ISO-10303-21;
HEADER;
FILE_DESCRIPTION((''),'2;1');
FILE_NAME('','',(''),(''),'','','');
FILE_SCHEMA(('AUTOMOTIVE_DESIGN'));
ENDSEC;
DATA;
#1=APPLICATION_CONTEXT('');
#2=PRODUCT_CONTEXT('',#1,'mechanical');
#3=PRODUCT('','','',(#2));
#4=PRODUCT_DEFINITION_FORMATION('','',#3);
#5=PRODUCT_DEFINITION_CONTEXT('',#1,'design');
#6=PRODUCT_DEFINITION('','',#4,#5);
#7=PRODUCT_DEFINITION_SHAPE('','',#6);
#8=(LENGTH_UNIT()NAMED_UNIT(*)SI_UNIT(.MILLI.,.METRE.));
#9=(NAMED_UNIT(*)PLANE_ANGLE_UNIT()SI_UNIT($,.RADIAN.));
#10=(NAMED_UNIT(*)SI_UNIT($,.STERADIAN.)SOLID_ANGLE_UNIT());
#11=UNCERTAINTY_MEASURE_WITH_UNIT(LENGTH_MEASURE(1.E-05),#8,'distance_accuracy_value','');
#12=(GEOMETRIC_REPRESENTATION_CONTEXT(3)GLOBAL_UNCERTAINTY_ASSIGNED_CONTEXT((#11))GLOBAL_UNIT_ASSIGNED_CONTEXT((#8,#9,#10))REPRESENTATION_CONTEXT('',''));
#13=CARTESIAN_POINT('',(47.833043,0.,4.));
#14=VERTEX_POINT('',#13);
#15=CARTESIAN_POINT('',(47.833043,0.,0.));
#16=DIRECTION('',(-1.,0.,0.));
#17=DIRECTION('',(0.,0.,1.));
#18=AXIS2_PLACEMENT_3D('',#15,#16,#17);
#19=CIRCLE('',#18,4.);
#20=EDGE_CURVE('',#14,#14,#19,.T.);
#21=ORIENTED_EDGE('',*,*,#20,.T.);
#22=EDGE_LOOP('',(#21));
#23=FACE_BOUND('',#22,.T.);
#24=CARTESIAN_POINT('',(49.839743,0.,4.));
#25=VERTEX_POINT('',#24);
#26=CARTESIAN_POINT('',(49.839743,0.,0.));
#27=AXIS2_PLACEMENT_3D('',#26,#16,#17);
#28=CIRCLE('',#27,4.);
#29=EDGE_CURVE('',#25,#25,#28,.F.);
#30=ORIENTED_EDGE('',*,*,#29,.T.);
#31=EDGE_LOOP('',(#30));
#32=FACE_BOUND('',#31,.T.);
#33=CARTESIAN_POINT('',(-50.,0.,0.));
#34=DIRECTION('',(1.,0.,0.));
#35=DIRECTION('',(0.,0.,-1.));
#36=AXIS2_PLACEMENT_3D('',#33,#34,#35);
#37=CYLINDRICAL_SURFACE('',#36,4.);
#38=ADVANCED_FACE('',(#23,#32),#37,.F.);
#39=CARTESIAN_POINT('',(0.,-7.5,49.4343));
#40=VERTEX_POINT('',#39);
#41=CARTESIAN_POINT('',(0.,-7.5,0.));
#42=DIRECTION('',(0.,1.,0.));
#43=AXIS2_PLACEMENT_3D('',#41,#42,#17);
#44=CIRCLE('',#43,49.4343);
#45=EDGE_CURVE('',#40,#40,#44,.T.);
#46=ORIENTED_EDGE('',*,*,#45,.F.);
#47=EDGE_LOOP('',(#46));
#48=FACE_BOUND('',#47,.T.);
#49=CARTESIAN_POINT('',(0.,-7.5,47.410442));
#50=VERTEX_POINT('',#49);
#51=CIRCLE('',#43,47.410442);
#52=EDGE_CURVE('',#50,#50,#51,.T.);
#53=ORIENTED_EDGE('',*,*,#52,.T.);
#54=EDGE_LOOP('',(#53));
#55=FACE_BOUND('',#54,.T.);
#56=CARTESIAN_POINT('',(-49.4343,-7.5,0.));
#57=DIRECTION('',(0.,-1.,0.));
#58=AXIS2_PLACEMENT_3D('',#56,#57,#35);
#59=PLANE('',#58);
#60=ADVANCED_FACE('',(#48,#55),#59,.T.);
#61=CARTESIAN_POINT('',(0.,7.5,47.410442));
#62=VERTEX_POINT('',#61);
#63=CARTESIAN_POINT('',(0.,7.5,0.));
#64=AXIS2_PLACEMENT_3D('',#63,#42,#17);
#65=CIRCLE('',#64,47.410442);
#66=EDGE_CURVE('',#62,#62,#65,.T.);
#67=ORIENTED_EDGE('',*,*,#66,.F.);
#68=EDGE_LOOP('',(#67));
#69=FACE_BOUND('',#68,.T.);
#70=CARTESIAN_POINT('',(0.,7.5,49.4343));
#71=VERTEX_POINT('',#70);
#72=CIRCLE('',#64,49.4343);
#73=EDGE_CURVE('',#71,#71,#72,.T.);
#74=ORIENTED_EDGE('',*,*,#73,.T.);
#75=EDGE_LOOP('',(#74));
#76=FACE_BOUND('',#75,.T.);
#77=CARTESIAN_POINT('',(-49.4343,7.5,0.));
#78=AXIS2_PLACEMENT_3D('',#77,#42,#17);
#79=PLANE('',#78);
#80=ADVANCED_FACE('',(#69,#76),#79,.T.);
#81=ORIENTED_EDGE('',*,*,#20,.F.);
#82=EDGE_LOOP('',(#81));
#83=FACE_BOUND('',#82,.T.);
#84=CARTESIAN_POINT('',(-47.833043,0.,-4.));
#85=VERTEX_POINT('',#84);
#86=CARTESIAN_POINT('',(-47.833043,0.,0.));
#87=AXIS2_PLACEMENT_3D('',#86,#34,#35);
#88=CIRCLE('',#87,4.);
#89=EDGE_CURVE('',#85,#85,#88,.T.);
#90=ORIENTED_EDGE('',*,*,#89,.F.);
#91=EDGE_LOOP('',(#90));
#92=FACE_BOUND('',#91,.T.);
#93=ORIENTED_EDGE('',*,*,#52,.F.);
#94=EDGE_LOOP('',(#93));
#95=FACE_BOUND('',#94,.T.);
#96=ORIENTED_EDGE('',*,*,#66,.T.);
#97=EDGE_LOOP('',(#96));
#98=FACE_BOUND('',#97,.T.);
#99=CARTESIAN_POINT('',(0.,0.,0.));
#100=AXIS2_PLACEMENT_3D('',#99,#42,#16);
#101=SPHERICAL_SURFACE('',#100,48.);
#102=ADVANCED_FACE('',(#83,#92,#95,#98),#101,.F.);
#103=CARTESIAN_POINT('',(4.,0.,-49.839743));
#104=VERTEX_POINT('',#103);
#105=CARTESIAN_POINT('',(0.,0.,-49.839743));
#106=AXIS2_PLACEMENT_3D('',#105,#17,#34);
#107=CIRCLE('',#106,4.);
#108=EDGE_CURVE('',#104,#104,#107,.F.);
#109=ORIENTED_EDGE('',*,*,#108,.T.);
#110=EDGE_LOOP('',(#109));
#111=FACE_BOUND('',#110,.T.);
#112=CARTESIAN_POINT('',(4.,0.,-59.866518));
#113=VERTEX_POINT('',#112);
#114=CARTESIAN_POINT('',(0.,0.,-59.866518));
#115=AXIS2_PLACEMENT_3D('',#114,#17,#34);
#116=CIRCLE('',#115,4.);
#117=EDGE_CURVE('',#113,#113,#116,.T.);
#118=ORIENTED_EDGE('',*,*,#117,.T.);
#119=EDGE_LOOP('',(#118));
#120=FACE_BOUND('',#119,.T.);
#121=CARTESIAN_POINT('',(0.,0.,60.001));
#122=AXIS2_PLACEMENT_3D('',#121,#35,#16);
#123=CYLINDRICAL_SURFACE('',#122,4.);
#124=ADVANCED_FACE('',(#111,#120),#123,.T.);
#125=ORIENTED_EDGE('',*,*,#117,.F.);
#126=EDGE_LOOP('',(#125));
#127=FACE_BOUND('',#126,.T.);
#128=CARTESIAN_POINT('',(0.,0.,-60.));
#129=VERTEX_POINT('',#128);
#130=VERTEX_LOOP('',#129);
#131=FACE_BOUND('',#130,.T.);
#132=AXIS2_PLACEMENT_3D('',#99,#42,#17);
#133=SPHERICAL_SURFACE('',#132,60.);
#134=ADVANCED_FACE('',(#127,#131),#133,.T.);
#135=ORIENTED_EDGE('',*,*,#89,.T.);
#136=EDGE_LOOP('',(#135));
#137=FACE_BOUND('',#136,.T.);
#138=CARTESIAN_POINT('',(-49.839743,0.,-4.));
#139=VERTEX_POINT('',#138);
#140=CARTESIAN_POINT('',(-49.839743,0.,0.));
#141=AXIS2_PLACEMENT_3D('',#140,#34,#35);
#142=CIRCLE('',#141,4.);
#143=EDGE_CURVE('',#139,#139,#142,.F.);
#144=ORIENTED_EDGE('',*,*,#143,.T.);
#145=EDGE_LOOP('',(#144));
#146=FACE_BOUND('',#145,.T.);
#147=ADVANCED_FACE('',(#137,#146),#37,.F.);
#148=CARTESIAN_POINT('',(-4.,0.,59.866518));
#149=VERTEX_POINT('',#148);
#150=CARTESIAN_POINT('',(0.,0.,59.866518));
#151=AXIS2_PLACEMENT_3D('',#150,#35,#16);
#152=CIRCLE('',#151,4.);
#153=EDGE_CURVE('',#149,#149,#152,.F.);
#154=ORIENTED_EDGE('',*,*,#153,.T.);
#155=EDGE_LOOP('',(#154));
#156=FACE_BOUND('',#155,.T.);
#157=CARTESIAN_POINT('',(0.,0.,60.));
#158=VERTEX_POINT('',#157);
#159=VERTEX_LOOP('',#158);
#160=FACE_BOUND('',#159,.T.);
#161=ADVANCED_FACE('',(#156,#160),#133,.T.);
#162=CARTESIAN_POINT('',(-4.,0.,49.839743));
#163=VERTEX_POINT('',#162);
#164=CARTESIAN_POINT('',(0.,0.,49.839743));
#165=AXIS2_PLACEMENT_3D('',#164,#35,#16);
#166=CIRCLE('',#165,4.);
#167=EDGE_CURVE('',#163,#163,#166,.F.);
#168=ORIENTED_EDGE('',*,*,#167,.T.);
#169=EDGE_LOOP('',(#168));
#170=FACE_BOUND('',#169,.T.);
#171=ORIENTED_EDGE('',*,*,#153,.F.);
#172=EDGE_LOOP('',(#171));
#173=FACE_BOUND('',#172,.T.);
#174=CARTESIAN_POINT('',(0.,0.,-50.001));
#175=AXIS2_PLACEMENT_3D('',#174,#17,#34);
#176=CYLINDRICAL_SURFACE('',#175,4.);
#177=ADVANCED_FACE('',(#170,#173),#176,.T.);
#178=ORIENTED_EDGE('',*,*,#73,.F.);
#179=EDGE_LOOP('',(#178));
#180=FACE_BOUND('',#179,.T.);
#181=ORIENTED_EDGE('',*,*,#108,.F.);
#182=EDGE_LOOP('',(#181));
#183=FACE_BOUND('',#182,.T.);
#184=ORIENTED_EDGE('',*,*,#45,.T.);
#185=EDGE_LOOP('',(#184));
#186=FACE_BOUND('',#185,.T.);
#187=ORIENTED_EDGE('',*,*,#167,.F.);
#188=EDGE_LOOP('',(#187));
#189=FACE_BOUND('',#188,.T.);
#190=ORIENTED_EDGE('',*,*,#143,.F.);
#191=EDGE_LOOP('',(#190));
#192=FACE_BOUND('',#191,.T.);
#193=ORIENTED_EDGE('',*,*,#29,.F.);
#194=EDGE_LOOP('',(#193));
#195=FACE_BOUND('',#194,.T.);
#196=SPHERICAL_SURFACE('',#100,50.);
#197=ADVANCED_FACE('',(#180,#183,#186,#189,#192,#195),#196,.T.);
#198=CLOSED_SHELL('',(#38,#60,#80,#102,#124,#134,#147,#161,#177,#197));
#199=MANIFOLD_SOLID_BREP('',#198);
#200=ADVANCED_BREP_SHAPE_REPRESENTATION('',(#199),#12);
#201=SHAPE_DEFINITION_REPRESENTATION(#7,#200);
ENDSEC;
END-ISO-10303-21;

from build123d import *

# Parameters (mm, degrees)
SKETCH2_R               = 4
CUT_EXTRUDE1_DEPTH      = 51
CUT_EXTRUDE1_DEPTH_BACK = 51
SKETCH6_R               = 4
BOSS_EXTRUDE1_DEPTH     = 10.160257


with BuildPart() as part:
    # Sketch1 → Revolve1 (revolve)
    with BuildSketch(Plane.XY):
        with BuildLine():
            Line((-49.434299833, 7.5), (-47.410441888, 7.5))
            ThreePointArc((-47.410441888, 7.5), (-48, 0), (-47.410441888, -7.5))
            Line((-47.410441888, -7.5), (-49.434299833, -7.5))
            ThreePointArc((-49.434299833, -7.5), (-50, 0), (-49.434299833, 7.5))
        make_face()
    revolve(axis=Axis((0, 31.203935911, 0), (0, -1, 0)))

    # Sketch2 → Cut-Extrude1 (cut, two sides)
    with BuildSketch(Plane(origin=(0, 0, 0), x_dir=(0, 0, -1), z_dir=(1, 0, 0))) as cut_extrude1_sk:
        Circle(SKETCH2_R)
    extrude(amount=CUT_EXTRUDE1_DEPTH, mode=Mode.SUBTRACT)
    extrude(cut_extrude1_sk.sketch, amount=-CUT_EXTRUDE1_DEPTH_BACK, mode=Mode.SUBTRACT)

    # Sketch6 → Boss-Extrude1 (add)
    with BuildSketch(Plane.XY.offset(60)):
        Circle(SKETCH6_R)
    boss_extrude1 = extrude(amount=-BOSS_EXTRUDE1_DEPTH)

    # Mirror1: Boss-Extrude1 across plane
    add(boss_extrude1.mirror(Plane.XY))

    # Sketch8 → Cut-Revolve1 (revolve, cut)
    with BuildSketch(Plane(origin=(0, 0, 0), x_dir=(0, 0, -1), z_dir=(1, 0, 0))):
        with BuildLine():
            Line((0, 70), (0, 60))
            ThreePointArc((0, 60), (-60, 0), (0, -60))
            Line((0, -60), (0, -70))
            ThreePointArc((0, -70), (-70, 0), (0, 70))
        make_face()
    revolve(axis=Axis((0, 45.192031549, 0), (0, -1, 0)), mode=Mode.SUBTRACT)


solid = part.part
